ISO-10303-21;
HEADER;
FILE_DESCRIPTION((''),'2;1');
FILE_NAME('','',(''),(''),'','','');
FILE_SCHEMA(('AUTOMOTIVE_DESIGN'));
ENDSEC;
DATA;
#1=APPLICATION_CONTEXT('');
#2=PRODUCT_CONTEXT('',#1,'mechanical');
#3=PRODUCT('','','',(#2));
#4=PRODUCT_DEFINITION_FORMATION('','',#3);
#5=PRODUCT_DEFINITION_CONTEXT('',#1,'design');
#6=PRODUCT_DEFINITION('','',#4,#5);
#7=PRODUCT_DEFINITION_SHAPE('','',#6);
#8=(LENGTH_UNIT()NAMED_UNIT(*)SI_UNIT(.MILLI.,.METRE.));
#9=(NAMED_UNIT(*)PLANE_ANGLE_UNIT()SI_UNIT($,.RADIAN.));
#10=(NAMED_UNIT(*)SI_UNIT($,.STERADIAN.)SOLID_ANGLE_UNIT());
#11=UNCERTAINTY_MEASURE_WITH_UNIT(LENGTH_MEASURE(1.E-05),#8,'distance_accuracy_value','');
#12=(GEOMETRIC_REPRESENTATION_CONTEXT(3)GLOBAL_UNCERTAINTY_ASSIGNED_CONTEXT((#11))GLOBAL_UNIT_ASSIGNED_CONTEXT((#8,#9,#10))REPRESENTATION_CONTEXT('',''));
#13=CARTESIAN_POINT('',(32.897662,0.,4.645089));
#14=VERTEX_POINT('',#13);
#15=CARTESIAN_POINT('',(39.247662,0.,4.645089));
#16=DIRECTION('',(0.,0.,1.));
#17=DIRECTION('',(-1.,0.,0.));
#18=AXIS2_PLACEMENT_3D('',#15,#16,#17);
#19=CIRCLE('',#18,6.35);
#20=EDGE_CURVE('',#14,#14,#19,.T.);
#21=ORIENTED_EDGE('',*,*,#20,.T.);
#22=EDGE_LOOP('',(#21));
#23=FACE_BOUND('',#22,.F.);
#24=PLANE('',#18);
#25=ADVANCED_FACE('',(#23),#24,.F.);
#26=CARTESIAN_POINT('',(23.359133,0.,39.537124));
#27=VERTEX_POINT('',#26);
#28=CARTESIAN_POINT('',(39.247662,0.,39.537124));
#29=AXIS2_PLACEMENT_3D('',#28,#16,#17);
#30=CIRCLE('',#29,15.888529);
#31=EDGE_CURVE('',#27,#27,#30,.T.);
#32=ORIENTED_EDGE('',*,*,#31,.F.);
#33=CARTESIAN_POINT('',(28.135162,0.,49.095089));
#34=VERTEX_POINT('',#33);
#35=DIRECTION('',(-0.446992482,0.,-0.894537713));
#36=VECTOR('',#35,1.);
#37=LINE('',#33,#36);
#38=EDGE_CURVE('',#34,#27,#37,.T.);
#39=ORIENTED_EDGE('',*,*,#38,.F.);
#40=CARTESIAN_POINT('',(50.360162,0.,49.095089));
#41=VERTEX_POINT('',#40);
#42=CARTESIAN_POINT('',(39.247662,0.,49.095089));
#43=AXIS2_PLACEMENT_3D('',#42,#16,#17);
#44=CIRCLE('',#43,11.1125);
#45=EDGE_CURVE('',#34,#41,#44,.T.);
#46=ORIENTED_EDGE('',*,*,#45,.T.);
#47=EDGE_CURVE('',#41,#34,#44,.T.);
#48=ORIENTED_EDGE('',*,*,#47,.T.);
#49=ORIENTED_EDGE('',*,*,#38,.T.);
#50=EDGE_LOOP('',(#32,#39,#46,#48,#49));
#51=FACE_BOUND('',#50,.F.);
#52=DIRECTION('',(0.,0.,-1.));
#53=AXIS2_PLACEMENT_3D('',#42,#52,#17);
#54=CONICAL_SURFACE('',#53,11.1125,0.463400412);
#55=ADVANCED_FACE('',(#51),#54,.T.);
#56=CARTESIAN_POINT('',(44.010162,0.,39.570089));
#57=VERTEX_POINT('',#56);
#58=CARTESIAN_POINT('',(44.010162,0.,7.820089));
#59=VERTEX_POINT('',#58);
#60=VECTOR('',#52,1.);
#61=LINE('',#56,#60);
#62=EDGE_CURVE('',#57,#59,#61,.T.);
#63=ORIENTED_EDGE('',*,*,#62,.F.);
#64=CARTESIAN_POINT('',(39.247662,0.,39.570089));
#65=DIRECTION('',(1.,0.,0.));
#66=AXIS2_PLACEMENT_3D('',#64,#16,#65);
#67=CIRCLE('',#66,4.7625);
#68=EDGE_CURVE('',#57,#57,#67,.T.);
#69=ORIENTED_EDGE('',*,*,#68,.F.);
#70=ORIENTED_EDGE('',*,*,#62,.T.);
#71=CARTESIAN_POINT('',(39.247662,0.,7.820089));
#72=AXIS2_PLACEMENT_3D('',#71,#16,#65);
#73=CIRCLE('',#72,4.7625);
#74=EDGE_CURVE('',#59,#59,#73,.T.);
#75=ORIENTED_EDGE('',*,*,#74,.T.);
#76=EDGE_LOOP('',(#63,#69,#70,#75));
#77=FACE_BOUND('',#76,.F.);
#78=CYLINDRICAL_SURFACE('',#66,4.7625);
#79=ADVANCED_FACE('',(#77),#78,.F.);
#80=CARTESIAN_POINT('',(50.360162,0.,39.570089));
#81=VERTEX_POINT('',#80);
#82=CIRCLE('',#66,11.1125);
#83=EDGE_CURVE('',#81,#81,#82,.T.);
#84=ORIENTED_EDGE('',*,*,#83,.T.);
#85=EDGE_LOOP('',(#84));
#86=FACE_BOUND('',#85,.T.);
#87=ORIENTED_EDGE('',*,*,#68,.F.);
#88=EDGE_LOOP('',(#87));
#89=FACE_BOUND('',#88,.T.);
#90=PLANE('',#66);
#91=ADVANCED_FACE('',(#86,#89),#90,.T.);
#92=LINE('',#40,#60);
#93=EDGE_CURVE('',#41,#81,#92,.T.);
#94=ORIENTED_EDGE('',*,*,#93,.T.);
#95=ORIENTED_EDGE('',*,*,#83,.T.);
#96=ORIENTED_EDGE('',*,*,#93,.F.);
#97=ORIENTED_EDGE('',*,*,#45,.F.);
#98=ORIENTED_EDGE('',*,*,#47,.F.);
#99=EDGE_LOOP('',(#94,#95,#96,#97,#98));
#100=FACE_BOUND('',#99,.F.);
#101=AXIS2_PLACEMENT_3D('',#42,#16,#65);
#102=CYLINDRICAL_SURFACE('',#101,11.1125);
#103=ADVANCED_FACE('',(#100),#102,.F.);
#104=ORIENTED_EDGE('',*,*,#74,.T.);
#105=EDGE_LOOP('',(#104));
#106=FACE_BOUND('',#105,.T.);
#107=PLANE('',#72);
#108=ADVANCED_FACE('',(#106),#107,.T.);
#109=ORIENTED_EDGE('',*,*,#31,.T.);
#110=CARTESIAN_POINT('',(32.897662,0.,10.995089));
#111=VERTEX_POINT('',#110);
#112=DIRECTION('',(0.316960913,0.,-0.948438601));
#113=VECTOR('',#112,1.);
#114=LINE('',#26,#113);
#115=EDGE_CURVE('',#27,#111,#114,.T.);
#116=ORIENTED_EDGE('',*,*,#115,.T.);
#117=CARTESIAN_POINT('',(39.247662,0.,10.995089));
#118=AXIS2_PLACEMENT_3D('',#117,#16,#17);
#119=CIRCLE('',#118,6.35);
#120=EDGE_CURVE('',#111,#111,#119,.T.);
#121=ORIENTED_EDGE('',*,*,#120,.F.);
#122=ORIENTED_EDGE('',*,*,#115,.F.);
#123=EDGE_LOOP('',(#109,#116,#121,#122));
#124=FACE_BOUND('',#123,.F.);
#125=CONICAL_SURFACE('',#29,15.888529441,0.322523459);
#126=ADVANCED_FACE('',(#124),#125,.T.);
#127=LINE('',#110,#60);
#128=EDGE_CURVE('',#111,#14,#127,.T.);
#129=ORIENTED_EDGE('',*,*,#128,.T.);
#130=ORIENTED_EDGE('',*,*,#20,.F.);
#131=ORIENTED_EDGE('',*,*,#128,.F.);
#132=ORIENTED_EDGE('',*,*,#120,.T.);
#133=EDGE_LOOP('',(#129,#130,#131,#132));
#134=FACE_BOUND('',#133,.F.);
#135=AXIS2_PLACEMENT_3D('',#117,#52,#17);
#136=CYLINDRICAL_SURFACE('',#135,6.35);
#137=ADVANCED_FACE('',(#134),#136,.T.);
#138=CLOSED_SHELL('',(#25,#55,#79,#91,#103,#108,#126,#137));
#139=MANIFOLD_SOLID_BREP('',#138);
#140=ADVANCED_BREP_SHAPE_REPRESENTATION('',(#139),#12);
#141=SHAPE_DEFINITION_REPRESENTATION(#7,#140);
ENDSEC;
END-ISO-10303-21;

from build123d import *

# Parameters (mm, degrees)
F0_R      = 6.35
F1_DEPTH  = 6.35
F2_R      = 15.875
F3_DEPTH  = 44.45
F4_SIZE   = 5.08
F5_SIZE   = 5.08
F6_R      = 10.6348002919
F7_DEPTH  = 6.35
F8_R      = 4.7625
F9_DEPTH  = 31.75
F11_R     = 6.35
F12_DEPTH = 6.35
F13_R     = 6.35
F14_DEPTH = 31.75
F15_R     = 15.875
F16_DEPTH = 6.35
F20_R     = 11.1125
F21_DEPTH = 9.525
F22_R     = 4.7625
F23_DEPTH = 31.75


with BuildPart() as f1:
    # F0 (on Top) → F1 (new body)
    with BuildSketch(Plane.XY):
        with Locations((-69.4737806916, -28.0783642083)):
            Circle(F0_R)
    extrude(amount=F1_DEPTH)

    # F2 (on face) → F3 (join)
    with BuildSketch(Plane.XY.offset(6.35)):
        with Locations((-69.4737806916, -28.0783642083)):
            Circle(F2_R)
    extrude(amount=F3_DEPTH)

    # F4
    f4_edges = [f1.edges().sort_by_distance(p)[0] for p in [
        (-53.598781, -28.078364, 28.575),
        (-85.348781, -28.078364, 6.35),
        (-85.348781, -28.078364, 50.8),
    ]]
    chamfer(f4_edges, length=F4_SIZE)

    # F5
    f5_edges = [f1.edges().sort_by_distance(p)[0] for p in [
        (-53.598781, -28.078364, 28.575),
        (-85.348781, -28.078364, 11.43),
        (-85.348781, -28.078364, 45.72),
    ]]
    chamfer(f5_edges, length=F5_SIZE)

    # F6 (on face) → F7 (cut)
    with BuildSketch(Plane.XY.offset(50.8)):
        with Locations((-69.4737806916, -28.0783642083)):
            Circle(F6_R)
    extrude(amount=-F7_DEPTH, mode=Mode.SUBTRACT)

    # F8 (on face) → F9 (cut)
    with BuildSketch(Plane.XY.offset(44.45)):
        with Locations((-69.4737806916, -28.0783642083)):
            Circle(F8_R)
    extrude(amount=-F9_DEPTH, mode=Mode.SUBTRACT)


with BuildPart() as f12:
    # F11 (on Top) → F12 (new body)
    with BuildSketch(Plane.XY):
        with Locations((-63.7479051948, -45.2827736735)):
            Circle(F11_R)
    extrude(amount=F12_DEPTH)

    # F13 (on face) → F14 (join)
    with BuildSketch(Plane.XY.offset(6.35)):
        with Locations((-63.7479051948, -45.2827736735)):
            Circle(F13_R)
    extrude(amount=F14_DEPTH)

    # F15 (on face) → F16 (join)
    with BuildSketch(Plane.XY.offset(38.1)):
        with Locations((-63.7479051948, -45.2827736735)):
            Circle(F15_R)
    extrude(amount=F16_DEPTH)


with BuildPart() as f18:
    # F17 (on Front) → F18 (revolve)
    with BuildSketch(Plane.XZ):
        Polygon((28.1351623714, 49.0950892346), (23.3591329306, 39.5371243358), (32.8976623714, 10.9950892346), (32.8976623714, 4.6450892346), (39.2476623714, 4.6450892346), (39.2476623714, 49.0950892346), align=None)
    revolve(axis=Axis((39.2476623714, 0, 26.8700892346), (0, 0, 1)))

    # F20 (on face) → F21 (cut)
    with BuildSketch(Plane.XY.offset(49.0950892346)):
        with Locations((39.2476623714, 0)):
            Circle(F20_R)
    extrude(amount=-F21_DEPTH, mode=Mode.SUBTRACT)

    # F22 (on face) → F23 (cut)
    with BuildSketch(Plane.XY.offset(39.5700892346)):
        with Locations((39.2476623714, 0)):
            Circle(F22_R)
    extrude(amount=-F23_DEPTH, mode=Mode.SUBTRACT)


solid = f18.part
